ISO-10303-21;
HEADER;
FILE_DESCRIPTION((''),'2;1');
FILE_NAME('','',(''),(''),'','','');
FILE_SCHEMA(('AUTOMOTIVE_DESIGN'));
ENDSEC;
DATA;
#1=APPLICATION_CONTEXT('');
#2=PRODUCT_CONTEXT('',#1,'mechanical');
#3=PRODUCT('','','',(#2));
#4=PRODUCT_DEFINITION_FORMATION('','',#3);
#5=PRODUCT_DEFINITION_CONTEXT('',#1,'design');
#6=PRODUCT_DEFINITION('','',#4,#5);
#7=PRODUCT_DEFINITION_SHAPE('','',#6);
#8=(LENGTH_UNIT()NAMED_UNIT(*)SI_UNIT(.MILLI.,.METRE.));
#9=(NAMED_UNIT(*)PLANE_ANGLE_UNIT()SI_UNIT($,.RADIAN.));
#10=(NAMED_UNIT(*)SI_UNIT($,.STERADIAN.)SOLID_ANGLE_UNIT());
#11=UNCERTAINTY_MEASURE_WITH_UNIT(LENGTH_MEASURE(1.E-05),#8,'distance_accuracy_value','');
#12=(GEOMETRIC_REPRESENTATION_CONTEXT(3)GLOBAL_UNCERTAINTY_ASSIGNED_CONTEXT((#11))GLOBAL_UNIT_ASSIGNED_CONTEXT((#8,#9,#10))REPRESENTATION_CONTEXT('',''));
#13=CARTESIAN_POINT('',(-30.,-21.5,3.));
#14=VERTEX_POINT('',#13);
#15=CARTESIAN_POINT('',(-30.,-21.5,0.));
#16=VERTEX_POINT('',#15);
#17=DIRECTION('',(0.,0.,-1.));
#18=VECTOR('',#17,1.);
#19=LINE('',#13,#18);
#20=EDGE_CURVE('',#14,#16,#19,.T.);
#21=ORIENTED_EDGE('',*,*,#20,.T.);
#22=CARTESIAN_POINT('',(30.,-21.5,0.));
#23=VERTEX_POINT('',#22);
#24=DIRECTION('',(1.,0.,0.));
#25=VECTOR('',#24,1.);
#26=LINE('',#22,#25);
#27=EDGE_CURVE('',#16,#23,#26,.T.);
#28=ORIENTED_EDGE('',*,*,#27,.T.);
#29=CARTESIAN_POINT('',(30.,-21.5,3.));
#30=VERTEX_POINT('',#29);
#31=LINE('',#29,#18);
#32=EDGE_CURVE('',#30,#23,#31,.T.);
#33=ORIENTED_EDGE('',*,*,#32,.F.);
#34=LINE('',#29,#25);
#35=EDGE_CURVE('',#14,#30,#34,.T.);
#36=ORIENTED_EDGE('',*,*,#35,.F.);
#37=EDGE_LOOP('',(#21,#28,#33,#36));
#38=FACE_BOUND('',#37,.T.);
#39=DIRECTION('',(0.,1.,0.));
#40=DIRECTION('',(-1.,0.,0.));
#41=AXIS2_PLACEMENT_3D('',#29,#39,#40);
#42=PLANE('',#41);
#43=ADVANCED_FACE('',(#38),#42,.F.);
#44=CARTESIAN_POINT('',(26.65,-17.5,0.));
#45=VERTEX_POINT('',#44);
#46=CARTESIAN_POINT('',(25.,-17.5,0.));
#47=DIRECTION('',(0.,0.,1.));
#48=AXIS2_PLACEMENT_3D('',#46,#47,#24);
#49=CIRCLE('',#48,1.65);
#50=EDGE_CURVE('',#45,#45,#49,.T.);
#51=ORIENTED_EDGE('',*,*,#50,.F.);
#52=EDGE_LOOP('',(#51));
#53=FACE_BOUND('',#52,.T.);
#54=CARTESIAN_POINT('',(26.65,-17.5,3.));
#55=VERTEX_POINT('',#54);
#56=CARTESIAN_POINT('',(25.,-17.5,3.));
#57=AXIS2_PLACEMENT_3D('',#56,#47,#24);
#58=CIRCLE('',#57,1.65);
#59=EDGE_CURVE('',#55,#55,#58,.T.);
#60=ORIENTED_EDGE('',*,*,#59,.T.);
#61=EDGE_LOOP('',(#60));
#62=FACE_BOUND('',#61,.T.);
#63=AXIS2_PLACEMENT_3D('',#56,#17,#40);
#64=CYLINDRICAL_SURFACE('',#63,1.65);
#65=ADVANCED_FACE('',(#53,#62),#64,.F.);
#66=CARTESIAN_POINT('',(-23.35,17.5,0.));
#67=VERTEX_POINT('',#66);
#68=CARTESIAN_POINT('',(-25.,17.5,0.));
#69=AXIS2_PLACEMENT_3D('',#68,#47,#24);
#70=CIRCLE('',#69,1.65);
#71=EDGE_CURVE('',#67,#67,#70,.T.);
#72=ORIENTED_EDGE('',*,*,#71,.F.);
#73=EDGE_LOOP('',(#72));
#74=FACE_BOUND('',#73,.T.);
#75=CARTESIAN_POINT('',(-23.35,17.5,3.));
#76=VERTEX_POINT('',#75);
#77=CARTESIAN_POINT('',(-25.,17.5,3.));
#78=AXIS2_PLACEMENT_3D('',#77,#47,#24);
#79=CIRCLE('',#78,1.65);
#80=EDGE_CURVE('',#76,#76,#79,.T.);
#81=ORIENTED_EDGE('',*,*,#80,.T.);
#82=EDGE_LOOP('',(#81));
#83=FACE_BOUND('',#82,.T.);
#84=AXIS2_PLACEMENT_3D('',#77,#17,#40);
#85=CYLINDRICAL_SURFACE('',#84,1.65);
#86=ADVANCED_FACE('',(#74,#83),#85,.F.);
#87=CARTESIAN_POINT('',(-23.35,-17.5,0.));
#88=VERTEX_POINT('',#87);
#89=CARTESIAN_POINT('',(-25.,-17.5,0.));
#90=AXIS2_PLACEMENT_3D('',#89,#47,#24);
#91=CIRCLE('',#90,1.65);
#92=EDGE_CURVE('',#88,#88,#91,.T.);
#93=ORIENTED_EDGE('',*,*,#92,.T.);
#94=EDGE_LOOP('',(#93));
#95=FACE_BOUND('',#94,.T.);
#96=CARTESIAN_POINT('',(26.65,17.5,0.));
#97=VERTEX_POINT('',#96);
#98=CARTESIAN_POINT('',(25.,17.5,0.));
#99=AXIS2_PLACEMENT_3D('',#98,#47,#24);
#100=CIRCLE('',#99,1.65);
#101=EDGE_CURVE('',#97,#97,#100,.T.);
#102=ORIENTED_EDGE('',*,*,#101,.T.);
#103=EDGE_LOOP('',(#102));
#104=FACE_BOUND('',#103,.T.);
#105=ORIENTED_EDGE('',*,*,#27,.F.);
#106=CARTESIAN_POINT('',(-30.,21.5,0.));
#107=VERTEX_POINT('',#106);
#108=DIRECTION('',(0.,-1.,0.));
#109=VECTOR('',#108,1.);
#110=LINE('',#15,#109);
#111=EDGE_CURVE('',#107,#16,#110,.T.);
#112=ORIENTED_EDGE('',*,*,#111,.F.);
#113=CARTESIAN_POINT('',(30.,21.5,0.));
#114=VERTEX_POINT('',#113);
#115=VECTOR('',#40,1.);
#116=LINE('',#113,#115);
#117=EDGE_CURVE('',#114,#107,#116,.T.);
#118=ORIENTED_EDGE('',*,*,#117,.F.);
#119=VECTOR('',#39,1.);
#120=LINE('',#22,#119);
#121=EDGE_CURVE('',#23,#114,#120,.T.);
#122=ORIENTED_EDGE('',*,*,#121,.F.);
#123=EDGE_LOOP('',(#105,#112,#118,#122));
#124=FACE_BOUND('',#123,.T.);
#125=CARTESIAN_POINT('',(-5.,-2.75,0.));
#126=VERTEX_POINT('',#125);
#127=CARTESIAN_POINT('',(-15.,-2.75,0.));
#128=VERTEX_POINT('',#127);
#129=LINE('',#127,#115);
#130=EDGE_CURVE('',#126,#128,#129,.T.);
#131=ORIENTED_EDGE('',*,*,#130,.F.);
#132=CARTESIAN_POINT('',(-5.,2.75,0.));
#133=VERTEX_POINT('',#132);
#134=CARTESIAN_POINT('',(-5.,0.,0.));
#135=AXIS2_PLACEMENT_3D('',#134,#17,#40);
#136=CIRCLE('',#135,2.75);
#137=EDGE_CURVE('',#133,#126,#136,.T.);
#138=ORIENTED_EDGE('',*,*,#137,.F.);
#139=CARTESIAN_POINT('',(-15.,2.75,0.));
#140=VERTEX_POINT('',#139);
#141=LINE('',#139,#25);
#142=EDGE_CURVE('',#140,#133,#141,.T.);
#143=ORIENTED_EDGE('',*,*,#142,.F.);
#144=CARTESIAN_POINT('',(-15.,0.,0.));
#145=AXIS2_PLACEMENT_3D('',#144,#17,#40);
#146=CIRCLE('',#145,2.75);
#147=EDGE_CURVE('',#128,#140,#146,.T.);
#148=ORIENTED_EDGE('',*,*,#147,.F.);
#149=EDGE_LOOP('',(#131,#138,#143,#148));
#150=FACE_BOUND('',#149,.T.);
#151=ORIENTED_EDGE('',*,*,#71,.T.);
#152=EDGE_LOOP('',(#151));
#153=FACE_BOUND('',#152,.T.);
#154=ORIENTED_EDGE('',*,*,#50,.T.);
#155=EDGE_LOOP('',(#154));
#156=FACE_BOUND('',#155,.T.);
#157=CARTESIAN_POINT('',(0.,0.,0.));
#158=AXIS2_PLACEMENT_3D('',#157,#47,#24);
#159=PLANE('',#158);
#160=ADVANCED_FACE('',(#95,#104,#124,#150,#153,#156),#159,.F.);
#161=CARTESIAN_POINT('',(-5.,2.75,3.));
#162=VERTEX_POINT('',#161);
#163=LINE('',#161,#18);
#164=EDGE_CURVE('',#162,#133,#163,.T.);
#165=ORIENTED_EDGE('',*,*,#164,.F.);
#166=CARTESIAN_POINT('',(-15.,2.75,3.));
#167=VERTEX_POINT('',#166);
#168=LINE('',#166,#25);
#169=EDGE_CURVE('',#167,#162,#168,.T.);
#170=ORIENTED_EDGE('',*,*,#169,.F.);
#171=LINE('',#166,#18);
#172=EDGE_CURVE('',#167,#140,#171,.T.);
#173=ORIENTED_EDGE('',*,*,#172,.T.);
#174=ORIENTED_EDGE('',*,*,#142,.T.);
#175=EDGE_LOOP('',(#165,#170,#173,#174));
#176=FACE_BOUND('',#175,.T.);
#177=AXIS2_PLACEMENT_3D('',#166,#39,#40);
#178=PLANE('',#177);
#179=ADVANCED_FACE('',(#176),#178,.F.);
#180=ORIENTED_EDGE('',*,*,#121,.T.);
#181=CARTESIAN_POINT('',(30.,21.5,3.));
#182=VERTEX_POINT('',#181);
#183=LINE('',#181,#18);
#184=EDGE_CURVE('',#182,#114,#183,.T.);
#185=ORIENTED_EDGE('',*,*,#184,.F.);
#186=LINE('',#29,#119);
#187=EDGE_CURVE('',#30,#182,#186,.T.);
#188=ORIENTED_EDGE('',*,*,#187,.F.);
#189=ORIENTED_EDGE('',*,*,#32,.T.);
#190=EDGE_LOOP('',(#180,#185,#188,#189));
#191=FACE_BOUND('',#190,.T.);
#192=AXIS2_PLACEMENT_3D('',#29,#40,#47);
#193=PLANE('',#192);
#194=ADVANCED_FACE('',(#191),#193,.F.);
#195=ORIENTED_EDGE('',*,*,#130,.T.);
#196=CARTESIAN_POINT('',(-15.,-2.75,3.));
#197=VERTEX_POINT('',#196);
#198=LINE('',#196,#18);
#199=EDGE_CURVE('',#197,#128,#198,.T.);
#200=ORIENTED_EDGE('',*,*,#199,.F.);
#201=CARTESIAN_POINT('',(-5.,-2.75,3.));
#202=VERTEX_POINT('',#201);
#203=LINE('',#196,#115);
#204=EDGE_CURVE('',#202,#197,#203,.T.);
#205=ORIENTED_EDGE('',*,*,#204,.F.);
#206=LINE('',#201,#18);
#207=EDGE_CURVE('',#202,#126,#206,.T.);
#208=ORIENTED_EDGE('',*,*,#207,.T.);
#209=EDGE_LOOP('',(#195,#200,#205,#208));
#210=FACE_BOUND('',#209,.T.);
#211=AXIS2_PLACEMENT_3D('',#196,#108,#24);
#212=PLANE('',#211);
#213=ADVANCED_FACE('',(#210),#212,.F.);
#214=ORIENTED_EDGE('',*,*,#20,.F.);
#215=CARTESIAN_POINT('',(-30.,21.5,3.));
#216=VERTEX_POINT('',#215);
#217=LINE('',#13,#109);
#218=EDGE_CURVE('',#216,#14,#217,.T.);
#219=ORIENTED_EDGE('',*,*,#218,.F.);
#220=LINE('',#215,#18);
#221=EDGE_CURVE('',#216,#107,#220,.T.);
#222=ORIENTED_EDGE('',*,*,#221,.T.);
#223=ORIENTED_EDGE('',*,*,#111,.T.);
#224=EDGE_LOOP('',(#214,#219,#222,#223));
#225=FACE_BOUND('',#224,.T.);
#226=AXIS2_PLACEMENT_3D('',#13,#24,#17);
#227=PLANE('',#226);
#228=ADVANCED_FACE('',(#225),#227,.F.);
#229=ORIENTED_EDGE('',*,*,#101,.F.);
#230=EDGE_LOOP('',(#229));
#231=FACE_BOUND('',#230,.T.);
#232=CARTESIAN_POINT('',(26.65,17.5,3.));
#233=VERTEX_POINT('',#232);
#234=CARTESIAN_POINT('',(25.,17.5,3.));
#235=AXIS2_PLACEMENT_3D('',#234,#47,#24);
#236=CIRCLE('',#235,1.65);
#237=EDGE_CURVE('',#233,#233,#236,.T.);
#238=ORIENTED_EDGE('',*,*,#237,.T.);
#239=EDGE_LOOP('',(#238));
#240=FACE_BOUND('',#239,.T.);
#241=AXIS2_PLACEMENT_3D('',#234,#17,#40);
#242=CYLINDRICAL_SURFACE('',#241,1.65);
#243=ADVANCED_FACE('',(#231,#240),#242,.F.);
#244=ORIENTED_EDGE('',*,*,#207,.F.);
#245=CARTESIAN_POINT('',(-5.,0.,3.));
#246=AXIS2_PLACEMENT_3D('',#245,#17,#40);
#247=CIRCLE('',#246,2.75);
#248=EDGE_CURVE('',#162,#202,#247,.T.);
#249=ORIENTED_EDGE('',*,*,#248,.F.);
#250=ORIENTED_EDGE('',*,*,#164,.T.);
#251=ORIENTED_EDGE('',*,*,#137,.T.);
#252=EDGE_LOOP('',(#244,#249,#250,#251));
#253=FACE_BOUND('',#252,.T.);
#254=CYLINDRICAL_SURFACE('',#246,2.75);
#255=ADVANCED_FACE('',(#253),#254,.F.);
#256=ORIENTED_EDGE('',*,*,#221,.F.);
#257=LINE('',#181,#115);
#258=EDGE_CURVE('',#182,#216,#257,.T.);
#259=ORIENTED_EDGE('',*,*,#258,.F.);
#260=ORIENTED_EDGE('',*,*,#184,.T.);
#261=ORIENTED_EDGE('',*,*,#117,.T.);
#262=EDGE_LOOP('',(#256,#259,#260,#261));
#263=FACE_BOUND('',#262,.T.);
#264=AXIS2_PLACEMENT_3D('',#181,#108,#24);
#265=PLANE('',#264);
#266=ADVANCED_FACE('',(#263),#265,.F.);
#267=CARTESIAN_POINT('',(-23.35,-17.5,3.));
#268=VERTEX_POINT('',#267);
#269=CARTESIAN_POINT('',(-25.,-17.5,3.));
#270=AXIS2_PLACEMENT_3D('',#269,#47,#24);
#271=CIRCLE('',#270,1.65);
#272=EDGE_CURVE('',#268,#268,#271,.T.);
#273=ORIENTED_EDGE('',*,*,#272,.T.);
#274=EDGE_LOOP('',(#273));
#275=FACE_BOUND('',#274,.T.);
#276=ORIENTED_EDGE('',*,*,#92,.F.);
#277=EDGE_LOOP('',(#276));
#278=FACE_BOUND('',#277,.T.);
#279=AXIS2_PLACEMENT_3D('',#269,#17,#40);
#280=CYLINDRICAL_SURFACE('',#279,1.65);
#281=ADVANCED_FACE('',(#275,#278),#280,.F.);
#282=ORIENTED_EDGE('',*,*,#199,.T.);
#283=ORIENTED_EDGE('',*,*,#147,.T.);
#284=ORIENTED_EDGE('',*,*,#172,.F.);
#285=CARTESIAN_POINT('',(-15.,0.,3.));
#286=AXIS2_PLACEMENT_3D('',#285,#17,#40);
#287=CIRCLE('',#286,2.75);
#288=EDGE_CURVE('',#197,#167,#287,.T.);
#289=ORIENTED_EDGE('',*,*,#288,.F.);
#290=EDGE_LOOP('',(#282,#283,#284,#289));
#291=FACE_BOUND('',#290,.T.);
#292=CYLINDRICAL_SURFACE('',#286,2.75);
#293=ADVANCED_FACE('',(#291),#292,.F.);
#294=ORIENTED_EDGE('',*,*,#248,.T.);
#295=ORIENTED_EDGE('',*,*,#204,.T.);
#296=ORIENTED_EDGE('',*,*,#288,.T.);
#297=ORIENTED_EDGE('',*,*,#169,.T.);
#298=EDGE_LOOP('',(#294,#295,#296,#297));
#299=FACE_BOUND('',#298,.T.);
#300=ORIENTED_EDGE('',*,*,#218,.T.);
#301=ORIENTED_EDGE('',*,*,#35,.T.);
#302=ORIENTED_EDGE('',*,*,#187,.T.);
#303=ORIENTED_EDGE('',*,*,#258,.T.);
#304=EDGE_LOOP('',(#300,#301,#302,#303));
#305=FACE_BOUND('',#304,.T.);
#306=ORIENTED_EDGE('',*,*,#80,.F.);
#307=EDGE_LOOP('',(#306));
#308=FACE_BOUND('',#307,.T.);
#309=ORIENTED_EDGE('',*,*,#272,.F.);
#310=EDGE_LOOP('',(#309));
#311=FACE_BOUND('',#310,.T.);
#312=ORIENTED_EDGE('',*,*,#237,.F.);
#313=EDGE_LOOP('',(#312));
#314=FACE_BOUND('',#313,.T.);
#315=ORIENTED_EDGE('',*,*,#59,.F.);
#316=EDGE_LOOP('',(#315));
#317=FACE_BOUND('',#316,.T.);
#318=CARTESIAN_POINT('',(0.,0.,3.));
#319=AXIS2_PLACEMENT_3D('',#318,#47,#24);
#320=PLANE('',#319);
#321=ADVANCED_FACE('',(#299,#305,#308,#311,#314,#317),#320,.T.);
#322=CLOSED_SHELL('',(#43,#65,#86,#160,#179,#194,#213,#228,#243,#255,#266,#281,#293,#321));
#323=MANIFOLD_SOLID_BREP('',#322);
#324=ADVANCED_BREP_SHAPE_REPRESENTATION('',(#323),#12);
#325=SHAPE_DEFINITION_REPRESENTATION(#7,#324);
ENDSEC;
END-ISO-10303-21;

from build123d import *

# Parameters (mm, degrees)
SKETCH1_W           = 60
SKETCH1_H           = 43
SKETCH1_R           = 1.65
BOSS_EXTRUDE1_DEPTH = 3
CUT_EXTRUDE1_DEPTH  = 38.030392923


with BuildPart() as part:
    # Sketch1 → Boss-Extrude1 (new body)
    with BuildSketch(Plane.XY):
        Rectangle(SKETCH1_W, SKETCH1_H)
        with Locations((-25, 17.5)):
            Circle(SKETCH1_R, mode=Mode.SUBTRACT)
        with Locations((25, 17.5)):
            Circle(SKETCH1_R, mode=Mode.SUBTRACT)
        with Locations((25, -17.5)):
            Circle(SKETCH1_R, mode=Mode.SUBTRACT)
        with Locations((-25, -17.5)):
            Circle(SKETCH1_R, mode=Mode.SUBTRACT)
    extrude(amount=BOSS_EXTRUDE1_DEPTH)

    # Sketch2 → Cut-Extrude1 (cut, through all)
    with BuildSketch(Plane(origin=(0, 0, 0), x_dir=(-1, 0, 0), z_dir=(0, 0, -1))):
        with BuildLine():
            Line((15, -2.75), (5, -2.75))
            ThreePointArc((5, -2.75), (2.25, 0), (5, 2.75))
            Line((5, 2.75), (15, 2.75))
            ThreePointArc((15, 2.75), (17.75, 0), (15, -2.75))
        make_face()
    extrude(amount=-CUT_EXTRUDE1_DEPTH, mode=Mode.SUBTRACT)


solid = part.part
